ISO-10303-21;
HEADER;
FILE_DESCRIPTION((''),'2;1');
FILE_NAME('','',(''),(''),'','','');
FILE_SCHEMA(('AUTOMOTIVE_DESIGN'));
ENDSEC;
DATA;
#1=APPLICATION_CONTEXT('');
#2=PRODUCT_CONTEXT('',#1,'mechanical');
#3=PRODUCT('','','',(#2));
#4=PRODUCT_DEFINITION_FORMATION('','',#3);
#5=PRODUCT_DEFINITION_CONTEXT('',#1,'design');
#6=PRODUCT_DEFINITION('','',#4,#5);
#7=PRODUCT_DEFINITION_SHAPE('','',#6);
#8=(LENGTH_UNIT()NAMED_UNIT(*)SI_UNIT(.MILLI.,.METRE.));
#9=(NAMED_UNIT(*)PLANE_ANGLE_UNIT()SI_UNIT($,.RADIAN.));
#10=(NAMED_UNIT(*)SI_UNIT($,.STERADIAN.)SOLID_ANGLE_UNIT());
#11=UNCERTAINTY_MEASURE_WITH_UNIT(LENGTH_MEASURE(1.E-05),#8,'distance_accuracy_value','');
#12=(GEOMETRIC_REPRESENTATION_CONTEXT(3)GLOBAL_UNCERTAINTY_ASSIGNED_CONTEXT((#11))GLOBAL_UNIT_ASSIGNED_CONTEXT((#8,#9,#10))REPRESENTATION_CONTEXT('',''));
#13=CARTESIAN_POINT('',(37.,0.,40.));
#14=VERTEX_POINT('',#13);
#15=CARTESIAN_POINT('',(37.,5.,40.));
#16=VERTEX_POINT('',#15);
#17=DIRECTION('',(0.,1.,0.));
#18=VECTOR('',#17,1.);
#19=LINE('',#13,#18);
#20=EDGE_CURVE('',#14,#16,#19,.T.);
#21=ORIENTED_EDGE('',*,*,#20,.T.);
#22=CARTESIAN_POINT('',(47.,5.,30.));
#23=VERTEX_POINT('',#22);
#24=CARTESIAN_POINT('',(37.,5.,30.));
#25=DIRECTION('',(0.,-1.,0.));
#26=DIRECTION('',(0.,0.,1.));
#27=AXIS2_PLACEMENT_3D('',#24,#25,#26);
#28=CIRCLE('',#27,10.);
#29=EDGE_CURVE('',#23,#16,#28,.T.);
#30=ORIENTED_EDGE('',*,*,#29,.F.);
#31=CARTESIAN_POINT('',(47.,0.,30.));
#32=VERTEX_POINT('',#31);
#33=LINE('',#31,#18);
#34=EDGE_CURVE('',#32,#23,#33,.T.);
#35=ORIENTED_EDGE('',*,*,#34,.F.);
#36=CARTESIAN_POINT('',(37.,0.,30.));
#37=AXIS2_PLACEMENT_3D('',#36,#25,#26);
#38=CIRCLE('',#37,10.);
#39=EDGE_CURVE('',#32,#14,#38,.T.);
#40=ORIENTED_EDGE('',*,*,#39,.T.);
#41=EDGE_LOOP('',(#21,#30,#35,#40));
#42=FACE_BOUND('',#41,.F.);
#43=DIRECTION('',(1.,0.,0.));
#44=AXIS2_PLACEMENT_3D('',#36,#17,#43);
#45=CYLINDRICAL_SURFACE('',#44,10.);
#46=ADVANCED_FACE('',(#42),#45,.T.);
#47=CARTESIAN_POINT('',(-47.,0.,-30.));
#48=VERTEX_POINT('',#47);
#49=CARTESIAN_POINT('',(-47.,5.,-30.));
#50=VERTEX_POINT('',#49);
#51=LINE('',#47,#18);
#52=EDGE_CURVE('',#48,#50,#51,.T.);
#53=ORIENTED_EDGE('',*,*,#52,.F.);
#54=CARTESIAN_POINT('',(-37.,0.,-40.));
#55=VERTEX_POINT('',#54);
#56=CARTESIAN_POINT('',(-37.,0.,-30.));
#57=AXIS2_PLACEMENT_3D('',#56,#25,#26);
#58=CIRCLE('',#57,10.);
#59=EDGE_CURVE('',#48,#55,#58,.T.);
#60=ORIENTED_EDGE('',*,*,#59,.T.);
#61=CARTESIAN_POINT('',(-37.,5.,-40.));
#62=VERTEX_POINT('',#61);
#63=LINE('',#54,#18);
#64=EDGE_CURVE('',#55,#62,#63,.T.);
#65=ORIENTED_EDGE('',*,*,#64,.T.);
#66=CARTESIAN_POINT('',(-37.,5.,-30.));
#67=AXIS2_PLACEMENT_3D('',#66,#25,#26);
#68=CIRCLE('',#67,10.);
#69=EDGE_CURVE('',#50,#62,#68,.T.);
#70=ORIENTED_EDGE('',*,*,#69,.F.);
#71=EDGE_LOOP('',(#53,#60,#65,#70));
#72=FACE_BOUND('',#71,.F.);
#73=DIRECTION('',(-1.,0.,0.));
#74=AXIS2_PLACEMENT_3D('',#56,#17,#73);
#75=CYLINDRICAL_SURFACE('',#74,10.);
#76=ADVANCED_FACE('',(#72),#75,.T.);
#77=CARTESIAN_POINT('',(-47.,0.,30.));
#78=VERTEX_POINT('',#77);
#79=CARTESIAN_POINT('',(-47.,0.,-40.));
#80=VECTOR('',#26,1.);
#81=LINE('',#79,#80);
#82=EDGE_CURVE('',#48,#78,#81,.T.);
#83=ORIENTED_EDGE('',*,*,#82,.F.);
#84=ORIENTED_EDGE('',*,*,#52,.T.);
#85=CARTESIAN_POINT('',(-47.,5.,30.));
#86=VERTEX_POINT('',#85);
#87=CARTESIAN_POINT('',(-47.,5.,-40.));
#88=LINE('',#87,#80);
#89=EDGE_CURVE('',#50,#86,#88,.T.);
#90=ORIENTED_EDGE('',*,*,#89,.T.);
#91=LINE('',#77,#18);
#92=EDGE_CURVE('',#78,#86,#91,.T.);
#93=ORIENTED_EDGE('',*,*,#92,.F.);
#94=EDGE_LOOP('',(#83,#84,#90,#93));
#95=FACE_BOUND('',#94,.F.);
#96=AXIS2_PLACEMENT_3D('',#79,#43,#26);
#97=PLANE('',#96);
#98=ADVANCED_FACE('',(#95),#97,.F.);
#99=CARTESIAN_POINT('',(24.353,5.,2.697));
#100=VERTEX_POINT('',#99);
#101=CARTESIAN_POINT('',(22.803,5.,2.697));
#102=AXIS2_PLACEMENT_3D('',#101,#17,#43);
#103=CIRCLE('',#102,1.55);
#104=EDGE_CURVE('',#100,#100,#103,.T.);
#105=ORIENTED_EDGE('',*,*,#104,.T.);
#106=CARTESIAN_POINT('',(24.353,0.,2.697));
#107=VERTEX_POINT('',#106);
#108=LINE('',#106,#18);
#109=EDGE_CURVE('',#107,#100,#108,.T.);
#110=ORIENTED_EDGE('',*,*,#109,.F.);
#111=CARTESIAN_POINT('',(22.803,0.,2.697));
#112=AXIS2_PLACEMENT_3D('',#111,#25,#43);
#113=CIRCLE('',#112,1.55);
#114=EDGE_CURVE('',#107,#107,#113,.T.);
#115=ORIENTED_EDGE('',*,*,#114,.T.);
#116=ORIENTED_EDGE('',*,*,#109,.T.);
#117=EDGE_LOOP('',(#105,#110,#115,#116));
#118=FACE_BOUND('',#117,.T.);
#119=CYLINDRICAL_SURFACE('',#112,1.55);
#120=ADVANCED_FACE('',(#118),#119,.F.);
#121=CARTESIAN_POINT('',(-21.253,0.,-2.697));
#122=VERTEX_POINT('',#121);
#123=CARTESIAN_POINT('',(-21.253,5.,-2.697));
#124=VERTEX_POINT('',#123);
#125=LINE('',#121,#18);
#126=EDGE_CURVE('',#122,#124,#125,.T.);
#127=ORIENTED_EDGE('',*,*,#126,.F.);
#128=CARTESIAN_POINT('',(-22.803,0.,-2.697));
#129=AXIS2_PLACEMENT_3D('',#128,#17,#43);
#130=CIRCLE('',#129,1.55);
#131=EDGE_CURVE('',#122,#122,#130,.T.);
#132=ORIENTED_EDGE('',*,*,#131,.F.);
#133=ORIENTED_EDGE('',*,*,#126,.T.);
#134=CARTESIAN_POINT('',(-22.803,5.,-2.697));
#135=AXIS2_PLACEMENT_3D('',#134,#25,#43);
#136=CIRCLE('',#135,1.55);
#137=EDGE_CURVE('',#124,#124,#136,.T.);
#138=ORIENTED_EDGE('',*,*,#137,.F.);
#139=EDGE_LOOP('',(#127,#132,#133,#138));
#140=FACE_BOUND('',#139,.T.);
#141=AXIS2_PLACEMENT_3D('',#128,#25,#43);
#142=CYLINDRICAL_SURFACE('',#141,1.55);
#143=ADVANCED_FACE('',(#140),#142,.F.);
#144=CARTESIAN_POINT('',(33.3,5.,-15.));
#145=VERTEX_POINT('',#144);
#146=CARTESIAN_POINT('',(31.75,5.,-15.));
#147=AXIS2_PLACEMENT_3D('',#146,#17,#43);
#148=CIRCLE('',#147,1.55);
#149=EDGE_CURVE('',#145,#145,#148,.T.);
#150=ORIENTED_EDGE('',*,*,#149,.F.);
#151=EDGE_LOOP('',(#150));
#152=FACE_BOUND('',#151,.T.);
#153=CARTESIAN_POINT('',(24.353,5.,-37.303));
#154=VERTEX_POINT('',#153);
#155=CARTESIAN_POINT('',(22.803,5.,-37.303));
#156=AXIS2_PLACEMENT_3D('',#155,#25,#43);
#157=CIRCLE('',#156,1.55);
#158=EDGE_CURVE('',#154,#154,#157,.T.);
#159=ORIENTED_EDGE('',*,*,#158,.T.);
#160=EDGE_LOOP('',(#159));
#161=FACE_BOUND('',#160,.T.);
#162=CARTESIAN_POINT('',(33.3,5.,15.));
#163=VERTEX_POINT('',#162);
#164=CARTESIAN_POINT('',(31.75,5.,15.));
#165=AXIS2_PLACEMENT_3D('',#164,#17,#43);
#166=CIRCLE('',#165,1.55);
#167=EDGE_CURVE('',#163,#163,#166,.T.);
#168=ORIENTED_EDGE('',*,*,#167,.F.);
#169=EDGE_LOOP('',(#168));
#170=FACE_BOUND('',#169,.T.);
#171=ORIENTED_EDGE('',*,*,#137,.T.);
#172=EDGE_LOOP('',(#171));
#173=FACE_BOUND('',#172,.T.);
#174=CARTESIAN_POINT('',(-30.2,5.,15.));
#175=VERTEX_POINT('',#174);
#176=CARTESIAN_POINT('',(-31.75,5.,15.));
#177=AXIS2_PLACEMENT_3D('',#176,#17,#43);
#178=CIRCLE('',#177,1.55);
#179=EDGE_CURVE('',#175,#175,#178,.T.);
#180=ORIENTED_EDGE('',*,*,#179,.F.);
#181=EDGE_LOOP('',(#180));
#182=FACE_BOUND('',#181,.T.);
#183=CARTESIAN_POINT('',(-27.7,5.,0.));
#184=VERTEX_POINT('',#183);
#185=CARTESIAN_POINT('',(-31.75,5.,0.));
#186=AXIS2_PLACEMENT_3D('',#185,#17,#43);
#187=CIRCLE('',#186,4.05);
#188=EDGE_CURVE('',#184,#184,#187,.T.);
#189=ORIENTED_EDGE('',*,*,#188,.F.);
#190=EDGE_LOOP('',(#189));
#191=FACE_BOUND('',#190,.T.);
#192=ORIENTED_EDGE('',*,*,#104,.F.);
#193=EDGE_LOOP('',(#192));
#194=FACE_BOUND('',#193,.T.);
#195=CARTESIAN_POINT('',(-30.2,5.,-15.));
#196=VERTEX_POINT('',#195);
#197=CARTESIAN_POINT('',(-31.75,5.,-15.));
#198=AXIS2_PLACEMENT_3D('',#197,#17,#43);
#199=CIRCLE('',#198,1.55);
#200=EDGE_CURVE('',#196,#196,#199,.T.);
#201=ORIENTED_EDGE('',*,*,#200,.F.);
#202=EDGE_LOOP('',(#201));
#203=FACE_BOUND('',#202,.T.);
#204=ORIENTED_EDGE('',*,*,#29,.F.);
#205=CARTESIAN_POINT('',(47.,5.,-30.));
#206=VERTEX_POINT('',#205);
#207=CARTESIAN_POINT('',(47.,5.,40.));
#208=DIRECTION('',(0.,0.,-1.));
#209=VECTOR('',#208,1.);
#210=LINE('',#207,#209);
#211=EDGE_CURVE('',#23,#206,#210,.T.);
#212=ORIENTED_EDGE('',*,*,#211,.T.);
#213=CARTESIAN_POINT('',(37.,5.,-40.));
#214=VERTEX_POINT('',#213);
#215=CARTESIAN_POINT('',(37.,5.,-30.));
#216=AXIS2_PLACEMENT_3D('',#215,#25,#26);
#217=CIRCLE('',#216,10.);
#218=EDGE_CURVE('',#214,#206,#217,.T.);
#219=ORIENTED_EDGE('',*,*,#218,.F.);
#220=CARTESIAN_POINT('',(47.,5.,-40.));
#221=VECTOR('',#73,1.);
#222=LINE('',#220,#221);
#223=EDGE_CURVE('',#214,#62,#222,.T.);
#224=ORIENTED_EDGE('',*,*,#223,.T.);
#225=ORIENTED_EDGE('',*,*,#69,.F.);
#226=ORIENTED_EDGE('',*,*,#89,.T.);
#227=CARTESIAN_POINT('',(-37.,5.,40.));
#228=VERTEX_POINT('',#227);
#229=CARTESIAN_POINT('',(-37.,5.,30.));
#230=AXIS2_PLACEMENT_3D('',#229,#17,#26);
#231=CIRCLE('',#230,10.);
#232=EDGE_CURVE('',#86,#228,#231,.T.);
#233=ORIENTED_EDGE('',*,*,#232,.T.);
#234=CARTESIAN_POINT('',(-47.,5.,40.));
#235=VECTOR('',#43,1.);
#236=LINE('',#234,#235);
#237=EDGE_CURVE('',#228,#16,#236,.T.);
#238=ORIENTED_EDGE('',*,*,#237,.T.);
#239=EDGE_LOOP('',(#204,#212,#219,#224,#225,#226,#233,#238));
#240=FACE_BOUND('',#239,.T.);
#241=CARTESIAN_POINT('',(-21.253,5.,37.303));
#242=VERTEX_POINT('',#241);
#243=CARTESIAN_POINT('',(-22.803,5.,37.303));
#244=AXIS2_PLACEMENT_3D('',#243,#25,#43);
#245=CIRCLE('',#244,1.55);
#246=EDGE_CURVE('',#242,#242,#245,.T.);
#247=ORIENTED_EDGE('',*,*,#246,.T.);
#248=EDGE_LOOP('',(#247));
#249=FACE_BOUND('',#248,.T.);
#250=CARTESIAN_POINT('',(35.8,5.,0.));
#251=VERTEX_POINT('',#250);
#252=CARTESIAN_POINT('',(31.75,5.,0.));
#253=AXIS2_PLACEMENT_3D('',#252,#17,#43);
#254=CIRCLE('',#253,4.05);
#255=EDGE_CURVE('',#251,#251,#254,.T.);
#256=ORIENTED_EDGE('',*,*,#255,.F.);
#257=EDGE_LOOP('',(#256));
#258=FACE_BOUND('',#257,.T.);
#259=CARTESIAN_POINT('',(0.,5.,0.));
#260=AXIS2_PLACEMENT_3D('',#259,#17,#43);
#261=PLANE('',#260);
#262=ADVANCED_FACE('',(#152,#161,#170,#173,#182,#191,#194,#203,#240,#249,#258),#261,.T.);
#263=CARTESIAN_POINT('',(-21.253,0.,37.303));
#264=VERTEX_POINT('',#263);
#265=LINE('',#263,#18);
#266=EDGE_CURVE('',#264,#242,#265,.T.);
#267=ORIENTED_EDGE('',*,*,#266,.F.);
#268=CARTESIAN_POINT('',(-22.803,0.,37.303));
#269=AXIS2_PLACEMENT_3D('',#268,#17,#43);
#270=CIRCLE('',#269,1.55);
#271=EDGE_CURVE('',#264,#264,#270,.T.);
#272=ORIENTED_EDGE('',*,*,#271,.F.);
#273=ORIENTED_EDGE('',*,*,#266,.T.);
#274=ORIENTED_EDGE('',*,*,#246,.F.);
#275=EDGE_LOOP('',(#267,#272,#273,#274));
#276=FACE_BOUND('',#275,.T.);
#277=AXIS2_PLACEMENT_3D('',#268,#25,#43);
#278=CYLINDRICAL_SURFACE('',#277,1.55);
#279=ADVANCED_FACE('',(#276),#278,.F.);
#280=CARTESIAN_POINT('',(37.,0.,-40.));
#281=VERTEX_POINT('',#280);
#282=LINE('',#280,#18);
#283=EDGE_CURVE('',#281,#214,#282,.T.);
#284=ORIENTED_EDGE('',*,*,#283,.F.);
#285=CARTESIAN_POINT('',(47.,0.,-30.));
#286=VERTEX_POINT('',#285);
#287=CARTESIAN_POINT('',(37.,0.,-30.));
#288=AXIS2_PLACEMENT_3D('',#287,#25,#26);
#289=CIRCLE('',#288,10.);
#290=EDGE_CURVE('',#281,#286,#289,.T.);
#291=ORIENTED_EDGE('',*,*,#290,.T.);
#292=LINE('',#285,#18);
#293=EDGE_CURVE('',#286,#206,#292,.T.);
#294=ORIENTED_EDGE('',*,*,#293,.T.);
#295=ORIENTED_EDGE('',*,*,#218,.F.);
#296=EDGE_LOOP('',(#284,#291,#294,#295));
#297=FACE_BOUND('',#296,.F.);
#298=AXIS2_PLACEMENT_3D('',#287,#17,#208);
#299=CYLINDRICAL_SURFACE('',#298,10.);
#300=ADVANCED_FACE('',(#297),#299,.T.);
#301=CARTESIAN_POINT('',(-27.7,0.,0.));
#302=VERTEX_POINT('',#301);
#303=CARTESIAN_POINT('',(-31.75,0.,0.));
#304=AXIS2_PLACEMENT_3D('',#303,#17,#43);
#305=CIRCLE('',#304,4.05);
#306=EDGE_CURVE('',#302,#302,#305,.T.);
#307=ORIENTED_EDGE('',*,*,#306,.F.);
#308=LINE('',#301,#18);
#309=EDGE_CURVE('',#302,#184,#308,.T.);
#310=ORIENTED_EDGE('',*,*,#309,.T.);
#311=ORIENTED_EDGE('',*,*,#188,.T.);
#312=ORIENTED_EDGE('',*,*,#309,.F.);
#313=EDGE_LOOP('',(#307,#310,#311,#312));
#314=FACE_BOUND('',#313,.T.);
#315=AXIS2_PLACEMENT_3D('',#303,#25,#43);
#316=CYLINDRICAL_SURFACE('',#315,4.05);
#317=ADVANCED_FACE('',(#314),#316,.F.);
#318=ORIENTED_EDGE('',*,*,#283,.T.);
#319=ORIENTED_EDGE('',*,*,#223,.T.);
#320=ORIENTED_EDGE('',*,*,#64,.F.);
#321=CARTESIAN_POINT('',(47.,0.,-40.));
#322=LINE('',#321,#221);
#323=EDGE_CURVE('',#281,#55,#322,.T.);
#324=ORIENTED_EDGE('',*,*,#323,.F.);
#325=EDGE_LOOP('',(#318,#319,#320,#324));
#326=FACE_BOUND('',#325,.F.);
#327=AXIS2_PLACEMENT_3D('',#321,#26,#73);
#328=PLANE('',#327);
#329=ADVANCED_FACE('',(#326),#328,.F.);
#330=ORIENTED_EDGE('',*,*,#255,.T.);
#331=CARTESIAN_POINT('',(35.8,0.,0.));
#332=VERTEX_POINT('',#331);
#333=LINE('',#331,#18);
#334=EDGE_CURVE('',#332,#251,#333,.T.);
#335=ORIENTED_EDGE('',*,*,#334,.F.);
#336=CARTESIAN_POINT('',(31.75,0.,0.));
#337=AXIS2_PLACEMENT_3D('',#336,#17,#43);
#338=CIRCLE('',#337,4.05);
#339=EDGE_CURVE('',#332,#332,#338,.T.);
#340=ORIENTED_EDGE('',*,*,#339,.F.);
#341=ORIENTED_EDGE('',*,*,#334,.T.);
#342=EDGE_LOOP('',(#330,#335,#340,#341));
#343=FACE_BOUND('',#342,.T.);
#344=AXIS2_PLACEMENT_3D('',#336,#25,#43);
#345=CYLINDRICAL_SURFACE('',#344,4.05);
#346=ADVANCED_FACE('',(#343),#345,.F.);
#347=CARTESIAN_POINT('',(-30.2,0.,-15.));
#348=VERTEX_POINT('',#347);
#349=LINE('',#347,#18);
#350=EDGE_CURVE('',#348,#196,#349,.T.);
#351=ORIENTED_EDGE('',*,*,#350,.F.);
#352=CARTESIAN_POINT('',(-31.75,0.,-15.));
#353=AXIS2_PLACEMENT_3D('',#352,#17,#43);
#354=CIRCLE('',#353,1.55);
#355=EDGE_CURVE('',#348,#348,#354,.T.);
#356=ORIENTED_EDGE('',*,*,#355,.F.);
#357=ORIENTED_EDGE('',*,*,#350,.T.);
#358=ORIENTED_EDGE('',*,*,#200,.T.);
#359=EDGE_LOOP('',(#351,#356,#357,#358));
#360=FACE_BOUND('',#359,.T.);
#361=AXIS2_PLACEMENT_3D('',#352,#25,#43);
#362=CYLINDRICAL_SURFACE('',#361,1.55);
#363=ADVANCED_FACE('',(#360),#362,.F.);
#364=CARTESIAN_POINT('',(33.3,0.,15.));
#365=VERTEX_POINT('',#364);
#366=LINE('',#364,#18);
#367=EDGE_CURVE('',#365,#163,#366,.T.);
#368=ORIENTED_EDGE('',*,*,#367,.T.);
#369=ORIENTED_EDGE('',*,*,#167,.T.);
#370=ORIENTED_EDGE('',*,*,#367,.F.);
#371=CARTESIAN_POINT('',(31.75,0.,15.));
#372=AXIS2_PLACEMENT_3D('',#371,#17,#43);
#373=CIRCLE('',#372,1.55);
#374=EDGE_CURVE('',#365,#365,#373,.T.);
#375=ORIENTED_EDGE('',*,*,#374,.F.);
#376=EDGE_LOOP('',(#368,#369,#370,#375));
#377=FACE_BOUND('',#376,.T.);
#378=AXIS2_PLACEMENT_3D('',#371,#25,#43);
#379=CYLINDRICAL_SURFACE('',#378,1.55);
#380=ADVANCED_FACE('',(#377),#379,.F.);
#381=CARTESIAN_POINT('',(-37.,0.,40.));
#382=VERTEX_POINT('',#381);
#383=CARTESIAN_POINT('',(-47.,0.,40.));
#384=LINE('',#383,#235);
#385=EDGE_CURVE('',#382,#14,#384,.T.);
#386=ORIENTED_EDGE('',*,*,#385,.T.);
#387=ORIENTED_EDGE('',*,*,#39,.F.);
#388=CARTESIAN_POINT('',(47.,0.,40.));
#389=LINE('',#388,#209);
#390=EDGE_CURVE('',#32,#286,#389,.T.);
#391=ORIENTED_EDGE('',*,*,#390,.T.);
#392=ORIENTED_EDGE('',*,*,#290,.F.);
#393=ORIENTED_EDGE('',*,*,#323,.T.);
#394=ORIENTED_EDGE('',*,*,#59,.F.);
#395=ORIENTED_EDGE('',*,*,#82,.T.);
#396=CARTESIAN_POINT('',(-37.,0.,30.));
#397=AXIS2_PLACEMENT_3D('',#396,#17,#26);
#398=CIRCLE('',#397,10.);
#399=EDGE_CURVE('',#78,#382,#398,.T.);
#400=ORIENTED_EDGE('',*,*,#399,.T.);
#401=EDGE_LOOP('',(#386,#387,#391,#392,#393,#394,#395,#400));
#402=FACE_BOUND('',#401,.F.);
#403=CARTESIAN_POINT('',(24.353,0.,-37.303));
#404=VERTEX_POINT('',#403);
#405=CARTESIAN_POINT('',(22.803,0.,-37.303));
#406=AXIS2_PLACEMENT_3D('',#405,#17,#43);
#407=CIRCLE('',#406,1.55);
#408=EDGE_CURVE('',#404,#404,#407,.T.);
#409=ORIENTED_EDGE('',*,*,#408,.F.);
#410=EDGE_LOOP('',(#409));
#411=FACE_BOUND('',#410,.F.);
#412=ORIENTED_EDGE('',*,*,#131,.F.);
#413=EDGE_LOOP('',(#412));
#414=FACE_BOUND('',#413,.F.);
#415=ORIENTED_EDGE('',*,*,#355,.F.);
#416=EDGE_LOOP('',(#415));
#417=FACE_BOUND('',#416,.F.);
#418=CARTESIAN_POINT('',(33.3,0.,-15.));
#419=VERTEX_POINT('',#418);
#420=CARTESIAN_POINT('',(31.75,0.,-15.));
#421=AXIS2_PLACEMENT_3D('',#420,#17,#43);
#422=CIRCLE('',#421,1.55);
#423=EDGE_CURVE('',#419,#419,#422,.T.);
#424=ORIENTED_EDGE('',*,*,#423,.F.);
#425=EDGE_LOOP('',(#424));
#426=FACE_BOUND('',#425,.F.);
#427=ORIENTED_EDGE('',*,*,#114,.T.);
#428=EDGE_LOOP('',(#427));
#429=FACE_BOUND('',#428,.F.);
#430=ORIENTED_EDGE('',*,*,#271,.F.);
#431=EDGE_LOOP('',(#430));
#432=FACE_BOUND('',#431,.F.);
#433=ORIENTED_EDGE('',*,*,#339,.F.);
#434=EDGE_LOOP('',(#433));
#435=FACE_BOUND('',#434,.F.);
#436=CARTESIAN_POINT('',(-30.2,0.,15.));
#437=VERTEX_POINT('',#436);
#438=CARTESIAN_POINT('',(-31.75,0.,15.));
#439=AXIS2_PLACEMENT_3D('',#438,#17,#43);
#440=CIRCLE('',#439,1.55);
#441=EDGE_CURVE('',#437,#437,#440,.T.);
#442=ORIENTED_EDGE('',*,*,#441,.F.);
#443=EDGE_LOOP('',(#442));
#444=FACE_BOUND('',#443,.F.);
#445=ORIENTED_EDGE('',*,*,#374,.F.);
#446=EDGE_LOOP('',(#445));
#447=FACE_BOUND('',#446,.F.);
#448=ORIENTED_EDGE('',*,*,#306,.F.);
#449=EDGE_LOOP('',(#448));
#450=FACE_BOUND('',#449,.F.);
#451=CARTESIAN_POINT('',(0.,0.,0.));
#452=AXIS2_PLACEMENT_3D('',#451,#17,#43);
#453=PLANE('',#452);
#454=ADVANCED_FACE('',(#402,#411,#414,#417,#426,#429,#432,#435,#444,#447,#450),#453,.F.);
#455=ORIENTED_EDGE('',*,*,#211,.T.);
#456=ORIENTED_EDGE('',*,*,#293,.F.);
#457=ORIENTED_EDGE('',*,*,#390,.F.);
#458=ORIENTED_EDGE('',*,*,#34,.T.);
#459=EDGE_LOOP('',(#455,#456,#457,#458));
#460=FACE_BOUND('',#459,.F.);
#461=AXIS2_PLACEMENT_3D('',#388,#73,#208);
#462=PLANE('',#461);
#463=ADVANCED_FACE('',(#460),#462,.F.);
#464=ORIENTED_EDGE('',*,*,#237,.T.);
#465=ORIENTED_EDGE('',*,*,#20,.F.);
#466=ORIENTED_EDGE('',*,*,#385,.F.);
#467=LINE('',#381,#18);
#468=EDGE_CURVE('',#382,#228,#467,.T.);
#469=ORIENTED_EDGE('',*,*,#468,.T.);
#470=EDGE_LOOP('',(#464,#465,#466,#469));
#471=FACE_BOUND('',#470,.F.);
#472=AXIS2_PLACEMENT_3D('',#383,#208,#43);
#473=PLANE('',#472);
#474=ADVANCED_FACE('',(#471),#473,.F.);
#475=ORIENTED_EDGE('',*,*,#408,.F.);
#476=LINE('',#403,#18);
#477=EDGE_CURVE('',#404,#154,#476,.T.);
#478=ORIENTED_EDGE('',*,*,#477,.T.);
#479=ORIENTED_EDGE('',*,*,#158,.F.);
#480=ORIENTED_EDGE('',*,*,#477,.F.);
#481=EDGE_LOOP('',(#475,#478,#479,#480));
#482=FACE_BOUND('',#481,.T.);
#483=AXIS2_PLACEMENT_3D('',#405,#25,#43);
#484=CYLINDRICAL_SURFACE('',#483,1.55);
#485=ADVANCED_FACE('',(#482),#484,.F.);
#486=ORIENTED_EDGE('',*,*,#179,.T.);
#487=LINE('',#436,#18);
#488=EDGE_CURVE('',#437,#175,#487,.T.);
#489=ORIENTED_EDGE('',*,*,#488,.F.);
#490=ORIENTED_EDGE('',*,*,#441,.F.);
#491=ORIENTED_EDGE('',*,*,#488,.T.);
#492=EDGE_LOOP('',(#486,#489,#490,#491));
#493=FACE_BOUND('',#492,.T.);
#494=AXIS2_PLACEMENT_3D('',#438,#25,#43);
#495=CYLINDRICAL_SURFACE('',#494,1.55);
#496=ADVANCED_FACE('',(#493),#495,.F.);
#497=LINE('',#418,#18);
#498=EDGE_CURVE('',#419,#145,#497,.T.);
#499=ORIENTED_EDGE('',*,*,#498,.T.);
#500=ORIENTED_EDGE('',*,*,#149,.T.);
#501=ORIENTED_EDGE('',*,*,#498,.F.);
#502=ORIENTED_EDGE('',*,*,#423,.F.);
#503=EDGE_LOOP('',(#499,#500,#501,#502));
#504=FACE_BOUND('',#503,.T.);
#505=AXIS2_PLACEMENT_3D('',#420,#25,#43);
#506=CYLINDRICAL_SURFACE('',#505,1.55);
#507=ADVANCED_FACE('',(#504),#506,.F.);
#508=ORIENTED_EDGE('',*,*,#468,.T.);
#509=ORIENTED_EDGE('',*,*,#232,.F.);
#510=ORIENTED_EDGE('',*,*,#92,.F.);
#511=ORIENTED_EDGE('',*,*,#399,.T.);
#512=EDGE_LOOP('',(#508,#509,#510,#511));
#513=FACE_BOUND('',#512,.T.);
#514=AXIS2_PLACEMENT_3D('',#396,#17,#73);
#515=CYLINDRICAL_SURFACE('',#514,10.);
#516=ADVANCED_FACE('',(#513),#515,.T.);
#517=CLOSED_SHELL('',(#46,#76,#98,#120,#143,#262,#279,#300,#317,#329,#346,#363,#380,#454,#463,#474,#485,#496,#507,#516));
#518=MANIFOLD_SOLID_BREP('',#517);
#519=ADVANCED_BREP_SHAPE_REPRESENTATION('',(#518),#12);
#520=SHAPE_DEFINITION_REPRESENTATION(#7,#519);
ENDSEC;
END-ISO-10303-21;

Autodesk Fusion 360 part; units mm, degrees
sketch "Sketch1" plane through (0, 0, 0) normal (0, 1, 0) x (1, 0, 0)
  line L0 (-20.75, -20) -> (20.75, -20) construction
  line L1 (20.75, -20) -> (20.75, 20) construction
  line L2 (20.75, 20) -> (-20.75, 20) construction
  line L3 (-20.75, 20) -> (-20.75, -20) construction
  line L4 (-20.75, -20) -> (20.75, 20) construction
  line L5 (20.75, -20) -> (-20.75, 20) construction
  circle A0 centre (-31.75, 0) radius 4.05
  circle A1 centre (31.75, 0) radius 4.05
  line L6 (25.5, 0) -> (-25.5, 0)
  line L7 (22.803, -2.697) -> (-22.803, -2.697)
  line L8 (-22.803, -2.697) -> (-22.803, -37.303)
  line L9 (-22.803, -37.303) -> (22.803, -37.303)
  line L10 (22.803, -37.303) -> (22.803, -2.697)
  line L11 (22.803, -2.697) -> (-22.803, -37.303) construction
  line L12 (-22.803, -2.697) -> (22.803, -37.303) construction
  line L13 (22.803, 2.697) -> (-22.803, 2.697)
  line L14 (-22.803, 2.697) -> (-22.803, 37.303)
  line L15 (-22.803, 37.303) -> (22.803, 37.303)
  line L16 (22.803, 37.303) -> (22.803, 2.697)
  line L17 (22.803, 2.697) -> (-22.803, 37.303) construction
  line L18 (-22.803, 2.697) -> (22.803, 37.303) construction
  circle A2 centre (-22.803, -37.303) radius 1.55
  circle A3 centre (22.803, -2.697) radius 1.55
  circle A4 centre (-22.803, 2.697) radius 1.55
  circle A5 centre (22.803, 37.303) radius 1.55
  circle A6 centre (-31.75, -15) radius 1.55
  circle A7 centre (-31.75, 15) radius 1.55
  circle A8 centre (31.75, -15) radius 1.55
  circle A9 centre (31.75, 15) radius 1.55
  line L19 (-47, -40) -> (47, -40)
  line L20 (47, -40) -> (47, 40)
  line L21 (47, 40) -> (-47, 40)
  line L22 (-47, 40) -> (-47, -40)
  line L23 (-47, -40) -> (47, 40) construction
  line L24 (47, -40) -> (-47, 40) construction
  point P0 (0, -20)
  point P1 (0, 20)
  point P2 (0, -20)
  point P3 (0, 20)
  dimension "d1" = 41.5
  dimension "d2" = 40
  dimension "d3" = 8.1
  dimension "d4" = 8.1
  dimension "d5" = 11
  dimension "d6" = 11
  dimension "d7" = 51
  dimension "d8" = 20
  dimension "d9" = 20
  dimension "d10" = 45.606
  dimension "d11" = 34.606
  dimension "d12" = 45.606
  dimension "d13" = 34.606
  dimension "d14" = 3.1
  dimension "d15" = 3.1
  dimension "d16" = 3.1
  dimension "d17" = 3.1
  dimension "d18" = 3.1
  dimension "d19" = 3.1
  dimension "d20" = 3.1
  dimension "d21" = 3.1
  dimension "d22" = 15
  dimension "d23" = 15
  dimension "d24" = 15
  dimension "d25" = 15
  dimension "d26" = 94
  dimension "d27" = 80
extrude "Extrude1" add sketch "Sketch1" along normal blind 5 contours L7 L8 L9 L10 A2 A3 | L13 L14 L15 L16 A4 A5 | L19 L20 L21 L22
fillet "Fillet1" radius 10 4 edges at (47, 2.5, 40) (47, 2.5, -40) (-47, 2.5, 40) (-47, 2.5, -40)
equation "d6 = d5"
equation "d23 = d22"
equation "d24 = d23"
equation "d25 = d22"
